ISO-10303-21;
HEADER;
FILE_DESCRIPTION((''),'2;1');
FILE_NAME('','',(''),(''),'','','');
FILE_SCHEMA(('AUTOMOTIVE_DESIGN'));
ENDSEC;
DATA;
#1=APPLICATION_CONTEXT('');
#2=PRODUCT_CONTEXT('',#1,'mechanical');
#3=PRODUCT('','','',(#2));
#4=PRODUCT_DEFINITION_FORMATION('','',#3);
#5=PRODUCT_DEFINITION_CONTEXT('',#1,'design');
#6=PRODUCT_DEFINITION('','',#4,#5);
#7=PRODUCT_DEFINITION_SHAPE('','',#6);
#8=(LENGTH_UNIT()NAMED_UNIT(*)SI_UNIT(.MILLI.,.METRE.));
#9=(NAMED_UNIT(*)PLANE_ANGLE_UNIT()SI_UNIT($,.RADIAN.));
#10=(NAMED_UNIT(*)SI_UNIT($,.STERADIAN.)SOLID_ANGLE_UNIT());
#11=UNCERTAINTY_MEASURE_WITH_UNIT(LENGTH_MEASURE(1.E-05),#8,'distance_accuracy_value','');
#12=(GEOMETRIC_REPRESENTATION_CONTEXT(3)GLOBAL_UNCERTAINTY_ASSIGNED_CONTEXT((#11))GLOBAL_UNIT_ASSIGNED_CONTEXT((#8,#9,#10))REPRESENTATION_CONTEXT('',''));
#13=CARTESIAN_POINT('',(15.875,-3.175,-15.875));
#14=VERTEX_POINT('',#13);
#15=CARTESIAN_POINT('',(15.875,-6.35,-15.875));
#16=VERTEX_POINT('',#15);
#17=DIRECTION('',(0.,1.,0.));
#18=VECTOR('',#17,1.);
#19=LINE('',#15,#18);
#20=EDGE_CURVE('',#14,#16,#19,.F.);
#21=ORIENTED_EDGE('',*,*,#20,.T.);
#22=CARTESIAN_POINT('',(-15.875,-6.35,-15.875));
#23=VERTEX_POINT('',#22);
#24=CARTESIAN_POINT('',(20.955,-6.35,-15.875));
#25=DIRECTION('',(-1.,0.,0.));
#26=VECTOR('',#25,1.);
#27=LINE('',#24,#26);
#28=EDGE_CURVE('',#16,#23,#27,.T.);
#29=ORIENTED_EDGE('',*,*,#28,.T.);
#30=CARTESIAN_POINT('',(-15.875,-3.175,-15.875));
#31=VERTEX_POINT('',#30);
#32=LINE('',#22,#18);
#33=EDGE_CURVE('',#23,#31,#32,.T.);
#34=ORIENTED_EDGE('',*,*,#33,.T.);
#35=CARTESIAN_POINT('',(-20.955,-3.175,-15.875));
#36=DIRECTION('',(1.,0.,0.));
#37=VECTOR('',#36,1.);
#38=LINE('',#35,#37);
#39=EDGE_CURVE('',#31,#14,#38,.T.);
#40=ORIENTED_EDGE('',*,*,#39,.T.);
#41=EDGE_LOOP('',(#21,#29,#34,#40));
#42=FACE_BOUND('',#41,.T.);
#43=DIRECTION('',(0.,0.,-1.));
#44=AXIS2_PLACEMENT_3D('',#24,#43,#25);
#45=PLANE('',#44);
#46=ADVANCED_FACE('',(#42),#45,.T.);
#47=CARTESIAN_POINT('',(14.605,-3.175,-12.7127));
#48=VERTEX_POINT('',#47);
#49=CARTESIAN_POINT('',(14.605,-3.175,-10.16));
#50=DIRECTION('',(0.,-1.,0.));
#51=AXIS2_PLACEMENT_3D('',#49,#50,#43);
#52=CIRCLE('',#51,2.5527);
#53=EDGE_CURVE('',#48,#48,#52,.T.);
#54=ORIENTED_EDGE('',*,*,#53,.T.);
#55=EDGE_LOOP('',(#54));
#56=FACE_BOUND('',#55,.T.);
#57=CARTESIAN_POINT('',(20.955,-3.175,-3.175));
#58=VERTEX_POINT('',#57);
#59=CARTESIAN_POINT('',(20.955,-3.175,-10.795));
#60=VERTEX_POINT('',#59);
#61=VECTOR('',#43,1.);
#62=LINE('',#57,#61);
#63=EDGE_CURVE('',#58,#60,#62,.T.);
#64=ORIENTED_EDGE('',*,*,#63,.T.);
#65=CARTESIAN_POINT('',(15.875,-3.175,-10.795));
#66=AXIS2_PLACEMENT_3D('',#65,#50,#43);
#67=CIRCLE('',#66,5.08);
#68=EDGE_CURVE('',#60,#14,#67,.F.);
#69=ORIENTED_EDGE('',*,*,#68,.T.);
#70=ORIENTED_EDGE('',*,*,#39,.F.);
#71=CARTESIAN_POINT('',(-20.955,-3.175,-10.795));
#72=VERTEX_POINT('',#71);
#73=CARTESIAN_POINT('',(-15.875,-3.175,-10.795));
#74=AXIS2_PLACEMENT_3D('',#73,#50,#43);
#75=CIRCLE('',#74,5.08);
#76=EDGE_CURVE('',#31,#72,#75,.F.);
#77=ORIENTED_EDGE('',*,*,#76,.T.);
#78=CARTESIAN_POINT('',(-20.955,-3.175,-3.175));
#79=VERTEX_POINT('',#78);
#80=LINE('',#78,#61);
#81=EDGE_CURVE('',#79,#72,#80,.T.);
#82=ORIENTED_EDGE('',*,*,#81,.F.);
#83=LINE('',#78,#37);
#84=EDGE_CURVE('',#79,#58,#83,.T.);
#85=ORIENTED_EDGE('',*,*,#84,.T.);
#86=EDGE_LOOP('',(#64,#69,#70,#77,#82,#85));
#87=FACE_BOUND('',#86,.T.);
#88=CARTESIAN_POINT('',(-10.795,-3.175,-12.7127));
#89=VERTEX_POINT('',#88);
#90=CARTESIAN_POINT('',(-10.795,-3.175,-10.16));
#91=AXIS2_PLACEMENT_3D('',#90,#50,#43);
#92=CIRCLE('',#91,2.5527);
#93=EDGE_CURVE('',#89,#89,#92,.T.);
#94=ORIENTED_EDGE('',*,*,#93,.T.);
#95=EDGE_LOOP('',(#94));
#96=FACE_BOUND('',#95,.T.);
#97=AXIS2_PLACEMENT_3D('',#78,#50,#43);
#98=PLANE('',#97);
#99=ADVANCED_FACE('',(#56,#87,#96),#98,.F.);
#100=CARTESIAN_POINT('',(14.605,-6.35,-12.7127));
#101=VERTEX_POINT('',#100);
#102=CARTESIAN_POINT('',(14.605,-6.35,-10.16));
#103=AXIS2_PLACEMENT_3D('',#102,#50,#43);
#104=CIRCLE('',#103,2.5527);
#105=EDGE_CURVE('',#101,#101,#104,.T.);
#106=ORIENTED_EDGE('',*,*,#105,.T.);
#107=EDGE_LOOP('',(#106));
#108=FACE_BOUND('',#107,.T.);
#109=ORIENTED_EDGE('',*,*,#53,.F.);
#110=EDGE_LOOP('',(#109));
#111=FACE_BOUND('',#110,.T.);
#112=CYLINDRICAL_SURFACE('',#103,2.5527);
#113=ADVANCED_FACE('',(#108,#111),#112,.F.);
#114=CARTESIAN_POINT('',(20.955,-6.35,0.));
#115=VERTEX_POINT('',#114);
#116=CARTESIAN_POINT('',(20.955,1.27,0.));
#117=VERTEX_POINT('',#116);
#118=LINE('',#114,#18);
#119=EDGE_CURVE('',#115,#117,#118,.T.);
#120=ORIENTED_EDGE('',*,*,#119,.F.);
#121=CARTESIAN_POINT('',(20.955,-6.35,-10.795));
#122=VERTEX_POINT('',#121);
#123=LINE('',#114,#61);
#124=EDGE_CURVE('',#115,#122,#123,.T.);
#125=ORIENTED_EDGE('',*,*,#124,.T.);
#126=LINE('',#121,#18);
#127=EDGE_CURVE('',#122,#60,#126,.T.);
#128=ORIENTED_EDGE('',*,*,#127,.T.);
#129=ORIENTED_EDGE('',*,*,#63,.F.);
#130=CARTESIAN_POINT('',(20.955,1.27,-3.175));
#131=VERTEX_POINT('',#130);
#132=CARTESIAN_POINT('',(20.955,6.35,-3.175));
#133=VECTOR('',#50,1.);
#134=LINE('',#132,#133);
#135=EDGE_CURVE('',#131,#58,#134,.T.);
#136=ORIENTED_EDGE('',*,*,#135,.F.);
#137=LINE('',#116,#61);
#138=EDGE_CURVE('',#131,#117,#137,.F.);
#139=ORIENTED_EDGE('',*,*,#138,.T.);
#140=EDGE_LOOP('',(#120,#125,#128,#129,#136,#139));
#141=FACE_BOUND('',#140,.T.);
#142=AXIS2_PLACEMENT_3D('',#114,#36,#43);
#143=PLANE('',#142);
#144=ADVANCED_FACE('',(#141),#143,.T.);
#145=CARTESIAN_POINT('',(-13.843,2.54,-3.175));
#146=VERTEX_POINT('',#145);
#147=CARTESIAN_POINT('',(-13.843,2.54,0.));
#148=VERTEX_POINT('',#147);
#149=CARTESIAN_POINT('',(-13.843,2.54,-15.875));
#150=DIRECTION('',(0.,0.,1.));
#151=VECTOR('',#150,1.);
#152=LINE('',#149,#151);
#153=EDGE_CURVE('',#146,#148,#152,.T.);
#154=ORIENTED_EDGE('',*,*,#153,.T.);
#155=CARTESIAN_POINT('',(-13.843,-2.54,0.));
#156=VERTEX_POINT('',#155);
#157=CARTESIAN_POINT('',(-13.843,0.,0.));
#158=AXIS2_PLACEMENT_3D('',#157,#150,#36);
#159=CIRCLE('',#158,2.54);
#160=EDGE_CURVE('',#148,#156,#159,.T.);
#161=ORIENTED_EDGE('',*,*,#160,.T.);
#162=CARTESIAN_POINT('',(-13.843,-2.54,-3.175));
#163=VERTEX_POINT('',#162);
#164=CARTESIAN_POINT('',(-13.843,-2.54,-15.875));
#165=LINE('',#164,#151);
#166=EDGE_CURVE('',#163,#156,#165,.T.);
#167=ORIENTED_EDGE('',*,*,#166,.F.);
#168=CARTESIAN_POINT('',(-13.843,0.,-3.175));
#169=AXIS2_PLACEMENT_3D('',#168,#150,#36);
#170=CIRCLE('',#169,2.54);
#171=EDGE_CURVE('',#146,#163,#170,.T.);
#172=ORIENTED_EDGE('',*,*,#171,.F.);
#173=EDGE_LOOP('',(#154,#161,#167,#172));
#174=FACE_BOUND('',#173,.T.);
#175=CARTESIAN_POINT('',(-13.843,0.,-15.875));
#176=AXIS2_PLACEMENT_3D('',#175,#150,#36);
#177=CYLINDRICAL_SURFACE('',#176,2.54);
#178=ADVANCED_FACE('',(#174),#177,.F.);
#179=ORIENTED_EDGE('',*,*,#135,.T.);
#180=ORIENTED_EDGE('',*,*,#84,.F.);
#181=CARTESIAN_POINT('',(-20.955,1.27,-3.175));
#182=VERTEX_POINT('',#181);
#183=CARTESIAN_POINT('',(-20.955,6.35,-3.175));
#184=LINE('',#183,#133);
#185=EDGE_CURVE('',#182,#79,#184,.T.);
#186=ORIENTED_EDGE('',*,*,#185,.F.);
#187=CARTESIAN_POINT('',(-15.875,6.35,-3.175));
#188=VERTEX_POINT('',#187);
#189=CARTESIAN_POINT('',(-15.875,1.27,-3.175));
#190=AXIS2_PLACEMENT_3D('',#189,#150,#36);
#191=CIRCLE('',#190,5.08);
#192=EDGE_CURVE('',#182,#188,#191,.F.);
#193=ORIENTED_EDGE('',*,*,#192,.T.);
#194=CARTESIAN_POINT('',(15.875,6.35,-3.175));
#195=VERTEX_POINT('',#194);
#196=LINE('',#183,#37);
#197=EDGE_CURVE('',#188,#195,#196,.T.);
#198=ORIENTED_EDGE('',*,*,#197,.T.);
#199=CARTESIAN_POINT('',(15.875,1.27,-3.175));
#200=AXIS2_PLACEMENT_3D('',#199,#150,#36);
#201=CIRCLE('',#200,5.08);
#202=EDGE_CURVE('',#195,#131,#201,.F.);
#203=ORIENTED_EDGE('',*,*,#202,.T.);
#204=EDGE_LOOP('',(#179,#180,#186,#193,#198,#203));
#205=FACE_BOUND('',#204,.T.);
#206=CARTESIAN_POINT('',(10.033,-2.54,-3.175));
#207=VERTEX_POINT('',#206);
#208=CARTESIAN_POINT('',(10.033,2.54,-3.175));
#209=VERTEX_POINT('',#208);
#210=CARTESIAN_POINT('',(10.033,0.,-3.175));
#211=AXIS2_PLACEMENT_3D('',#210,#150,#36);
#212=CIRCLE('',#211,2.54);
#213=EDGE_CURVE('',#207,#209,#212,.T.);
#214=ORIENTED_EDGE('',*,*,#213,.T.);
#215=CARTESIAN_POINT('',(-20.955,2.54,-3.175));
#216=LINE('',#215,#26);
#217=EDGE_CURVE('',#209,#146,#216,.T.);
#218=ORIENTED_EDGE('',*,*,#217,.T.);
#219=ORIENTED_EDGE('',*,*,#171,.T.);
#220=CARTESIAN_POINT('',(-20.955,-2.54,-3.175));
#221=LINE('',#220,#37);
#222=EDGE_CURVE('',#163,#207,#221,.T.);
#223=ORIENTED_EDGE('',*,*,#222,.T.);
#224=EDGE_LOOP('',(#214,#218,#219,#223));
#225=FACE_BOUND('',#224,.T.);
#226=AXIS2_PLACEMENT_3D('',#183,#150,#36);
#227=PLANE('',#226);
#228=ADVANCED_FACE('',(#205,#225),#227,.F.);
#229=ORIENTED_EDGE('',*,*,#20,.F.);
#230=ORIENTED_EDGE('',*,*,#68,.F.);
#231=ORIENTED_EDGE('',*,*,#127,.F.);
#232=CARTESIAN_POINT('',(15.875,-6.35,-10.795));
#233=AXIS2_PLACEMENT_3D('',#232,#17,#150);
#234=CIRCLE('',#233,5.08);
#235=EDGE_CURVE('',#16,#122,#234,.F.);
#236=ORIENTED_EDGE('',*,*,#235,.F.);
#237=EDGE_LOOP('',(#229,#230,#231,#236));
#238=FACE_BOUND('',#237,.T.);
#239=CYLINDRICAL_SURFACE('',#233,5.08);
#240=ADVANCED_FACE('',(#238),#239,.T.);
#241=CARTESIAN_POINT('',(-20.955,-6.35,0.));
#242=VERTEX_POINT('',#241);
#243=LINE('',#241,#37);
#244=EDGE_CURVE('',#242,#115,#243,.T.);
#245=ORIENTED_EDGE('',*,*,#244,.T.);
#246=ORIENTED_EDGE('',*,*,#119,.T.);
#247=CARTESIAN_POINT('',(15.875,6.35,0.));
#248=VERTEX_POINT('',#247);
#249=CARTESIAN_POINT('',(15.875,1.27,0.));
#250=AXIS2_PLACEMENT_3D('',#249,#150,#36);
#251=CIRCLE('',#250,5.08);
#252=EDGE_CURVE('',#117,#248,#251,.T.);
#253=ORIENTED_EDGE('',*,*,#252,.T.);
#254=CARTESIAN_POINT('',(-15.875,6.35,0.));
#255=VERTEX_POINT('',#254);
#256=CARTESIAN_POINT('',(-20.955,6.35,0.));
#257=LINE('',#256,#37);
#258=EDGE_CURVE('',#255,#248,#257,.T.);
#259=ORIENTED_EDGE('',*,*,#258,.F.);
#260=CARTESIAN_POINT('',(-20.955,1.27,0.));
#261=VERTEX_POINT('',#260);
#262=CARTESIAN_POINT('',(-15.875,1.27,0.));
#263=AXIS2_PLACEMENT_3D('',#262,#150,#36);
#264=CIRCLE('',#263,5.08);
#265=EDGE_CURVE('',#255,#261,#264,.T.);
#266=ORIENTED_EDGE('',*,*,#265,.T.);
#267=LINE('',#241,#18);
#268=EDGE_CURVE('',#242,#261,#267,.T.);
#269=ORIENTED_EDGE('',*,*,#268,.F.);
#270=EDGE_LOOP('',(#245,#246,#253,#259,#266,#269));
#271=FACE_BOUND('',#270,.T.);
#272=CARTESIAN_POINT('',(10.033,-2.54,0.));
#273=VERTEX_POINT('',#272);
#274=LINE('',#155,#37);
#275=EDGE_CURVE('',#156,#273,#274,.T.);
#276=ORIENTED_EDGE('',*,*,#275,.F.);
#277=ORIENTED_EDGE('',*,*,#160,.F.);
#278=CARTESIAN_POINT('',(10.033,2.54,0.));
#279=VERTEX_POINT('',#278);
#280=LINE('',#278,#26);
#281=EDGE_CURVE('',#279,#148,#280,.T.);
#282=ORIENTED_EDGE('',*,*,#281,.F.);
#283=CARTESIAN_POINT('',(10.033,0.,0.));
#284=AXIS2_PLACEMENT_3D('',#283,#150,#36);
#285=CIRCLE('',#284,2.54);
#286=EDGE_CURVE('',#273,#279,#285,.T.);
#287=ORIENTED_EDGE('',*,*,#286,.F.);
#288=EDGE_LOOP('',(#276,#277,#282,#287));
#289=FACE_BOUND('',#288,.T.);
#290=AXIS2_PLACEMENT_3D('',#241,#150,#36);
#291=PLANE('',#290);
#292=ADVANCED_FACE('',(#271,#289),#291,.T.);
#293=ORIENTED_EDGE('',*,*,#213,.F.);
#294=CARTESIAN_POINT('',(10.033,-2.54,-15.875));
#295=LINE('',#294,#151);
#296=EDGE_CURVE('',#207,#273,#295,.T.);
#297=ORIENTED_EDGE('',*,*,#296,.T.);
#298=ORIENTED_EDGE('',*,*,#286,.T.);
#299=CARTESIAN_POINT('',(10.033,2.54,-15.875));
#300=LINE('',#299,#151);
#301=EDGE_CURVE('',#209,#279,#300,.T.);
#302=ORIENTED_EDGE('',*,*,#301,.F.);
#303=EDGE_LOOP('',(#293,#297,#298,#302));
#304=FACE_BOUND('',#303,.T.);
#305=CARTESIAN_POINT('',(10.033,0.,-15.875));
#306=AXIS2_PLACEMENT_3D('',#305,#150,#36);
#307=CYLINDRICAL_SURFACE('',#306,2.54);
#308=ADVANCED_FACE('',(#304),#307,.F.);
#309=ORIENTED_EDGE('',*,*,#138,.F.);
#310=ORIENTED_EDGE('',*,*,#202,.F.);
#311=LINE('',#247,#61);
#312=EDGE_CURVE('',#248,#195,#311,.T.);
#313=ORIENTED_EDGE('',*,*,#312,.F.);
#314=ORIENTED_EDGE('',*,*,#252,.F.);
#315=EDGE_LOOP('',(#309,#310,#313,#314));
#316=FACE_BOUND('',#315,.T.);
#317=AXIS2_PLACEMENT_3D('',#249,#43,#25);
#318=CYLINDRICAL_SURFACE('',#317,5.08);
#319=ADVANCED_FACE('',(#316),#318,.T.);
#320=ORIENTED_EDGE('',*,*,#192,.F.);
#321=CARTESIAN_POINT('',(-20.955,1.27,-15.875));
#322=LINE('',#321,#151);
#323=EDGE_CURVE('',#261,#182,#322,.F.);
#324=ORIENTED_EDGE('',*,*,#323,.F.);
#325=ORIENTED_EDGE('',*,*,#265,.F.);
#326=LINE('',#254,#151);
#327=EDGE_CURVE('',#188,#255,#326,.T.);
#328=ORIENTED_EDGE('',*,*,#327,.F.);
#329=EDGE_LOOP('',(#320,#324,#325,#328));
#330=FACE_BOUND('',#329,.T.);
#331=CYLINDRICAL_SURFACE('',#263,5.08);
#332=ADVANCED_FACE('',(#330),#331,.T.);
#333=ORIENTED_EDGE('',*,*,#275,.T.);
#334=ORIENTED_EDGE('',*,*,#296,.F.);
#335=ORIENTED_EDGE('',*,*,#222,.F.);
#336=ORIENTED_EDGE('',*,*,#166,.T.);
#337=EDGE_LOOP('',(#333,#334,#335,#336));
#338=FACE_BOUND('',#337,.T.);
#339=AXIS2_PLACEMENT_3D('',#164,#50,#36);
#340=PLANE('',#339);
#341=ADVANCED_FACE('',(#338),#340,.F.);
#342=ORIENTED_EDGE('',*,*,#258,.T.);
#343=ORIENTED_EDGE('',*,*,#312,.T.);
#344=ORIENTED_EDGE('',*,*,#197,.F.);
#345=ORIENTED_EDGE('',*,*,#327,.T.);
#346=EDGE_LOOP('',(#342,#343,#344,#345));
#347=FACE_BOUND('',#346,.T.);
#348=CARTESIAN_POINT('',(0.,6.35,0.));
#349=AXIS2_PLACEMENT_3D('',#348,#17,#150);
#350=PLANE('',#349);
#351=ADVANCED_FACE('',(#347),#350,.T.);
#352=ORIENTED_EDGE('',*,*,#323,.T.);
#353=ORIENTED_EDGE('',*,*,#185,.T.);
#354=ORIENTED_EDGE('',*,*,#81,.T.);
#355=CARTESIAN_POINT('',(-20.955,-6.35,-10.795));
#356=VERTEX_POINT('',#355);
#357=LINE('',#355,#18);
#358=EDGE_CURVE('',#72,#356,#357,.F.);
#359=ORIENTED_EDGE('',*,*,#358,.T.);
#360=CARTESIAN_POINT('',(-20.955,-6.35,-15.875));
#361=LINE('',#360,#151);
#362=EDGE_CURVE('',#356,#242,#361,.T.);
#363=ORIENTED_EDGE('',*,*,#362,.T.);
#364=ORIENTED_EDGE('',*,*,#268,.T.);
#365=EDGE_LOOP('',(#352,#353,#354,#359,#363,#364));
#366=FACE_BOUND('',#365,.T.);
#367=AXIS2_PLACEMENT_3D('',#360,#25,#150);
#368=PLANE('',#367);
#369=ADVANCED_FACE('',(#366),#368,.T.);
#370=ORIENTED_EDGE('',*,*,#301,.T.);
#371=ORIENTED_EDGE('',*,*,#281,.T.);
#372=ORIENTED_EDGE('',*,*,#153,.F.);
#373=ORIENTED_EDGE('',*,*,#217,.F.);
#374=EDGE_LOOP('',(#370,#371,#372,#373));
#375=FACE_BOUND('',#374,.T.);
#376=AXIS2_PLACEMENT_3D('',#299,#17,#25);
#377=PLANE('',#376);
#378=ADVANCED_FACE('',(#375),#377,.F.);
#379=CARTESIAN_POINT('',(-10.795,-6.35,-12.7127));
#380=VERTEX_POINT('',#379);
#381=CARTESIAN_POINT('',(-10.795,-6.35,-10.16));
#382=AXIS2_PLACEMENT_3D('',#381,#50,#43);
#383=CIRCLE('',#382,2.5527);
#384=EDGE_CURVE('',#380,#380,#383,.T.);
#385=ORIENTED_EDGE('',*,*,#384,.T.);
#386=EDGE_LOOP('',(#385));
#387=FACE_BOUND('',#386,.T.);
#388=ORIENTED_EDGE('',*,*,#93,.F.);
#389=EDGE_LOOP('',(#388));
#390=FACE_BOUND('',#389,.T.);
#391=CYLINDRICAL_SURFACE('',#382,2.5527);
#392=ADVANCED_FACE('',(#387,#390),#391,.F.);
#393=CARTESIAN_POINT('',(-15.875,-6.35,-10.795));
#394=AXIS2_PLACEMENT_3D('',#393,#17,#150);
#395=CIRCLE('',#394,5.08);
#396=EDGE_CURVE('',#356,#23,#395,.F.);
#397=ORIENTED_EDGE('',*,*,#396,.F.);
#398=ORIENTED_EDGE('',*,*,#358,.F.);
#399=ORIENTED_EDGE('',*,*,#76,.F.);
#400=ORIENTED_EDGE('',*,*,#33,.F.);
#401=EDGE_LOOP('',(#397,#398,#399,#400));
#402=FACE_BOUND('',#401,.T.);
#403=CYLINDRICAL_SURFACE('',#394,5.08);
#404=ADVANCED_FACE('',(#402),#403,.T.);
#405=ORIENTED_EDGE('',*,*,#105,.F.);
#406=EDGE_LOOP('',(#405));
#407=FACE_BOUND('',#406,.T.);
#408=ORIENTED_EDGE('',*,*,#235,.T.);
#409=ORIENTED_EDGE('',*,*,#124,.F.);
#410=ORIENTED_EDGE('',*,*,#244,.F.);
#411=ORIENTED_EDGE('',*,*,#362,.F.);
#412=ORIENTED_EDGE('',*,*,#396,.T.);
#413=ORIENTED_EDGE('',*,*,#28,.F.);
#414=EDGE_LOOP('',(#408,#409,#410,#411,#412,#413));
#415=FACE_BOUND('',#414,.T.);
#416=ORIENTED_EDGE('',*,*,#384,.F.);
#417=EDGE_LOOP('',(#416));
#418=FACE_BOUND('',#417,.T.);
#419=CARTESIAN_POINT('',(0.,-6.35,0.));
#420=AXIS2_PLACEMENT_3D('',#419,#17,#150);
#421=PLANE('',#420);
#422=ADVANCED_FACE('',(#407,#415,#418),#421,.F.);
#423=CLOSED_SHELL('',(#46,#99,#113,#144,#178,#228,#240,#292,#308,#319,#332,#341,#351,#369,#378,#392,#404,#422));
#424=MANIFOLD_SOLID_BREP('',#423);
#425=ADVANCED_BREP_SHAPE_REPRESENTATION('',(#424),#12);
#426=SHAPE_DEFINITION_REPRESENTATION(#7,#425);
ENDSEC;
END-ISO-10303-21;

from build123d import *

# Parameters (mm, degrees)
SKETCH1_W           = 41.91
SKETCH1_H           = 15.875
BOSS_EXTRUDE1_DEPTH = 12.7
SKETCH2_W           = 12.7
SKETCH2_H           = 9.525
CUT_EXTRUDE1_DEPTH  = 46.263519803
CUT_EXTRUDE2_DEPTH  = 28.045335088
HOLE1_D             = 5.1054
HOLE1_DEPTH         = 12.7
FILLET1_R           = 5.08


with BuildPart() as part:
    # Sketch1 → Boss-Extrude1 (new body)
    with BuildSketch(Plane(origin=(0, 6.35, 0), x_dir=(1, 0, 0), z_dir=(0, 1, 0))):
        with Locations((0, 7.9375)):
            Rectangle(SKETCH1_W, SKETCH1_H)
    extrude(amount=-BOSS_EXTRUDE1_DEPTH)

    # Sketch2 → Cut-Extrude1 (cut, through all)
    with BuildSketch(Plane(origin=(20.955, 0, 0), x_dir=(0, 0, -1), z_dir=(1, 0, 0))):
        with Locations((9.525, 1.5875)):
            Rectangle(SKETCH2_W, SKETCH2_H)
    extrude(amount=-CUT_EXTRUDE1_DEPTH, mode=Mode.SUBTRACT)

    # Sketch3 → Cut-Extrude2 (cut, through all)
    with BuildSketch(Plane.XY):
        with BuildLine():
            Line((-13.843, -2.54), (10.033, -2.54))
            ThreePointArc((10.033, -2.54), (12.573, 0), (10.033, 2.54))
            Line((10.033, 2.54), (-13.843, 2.54))
            ThreePointArc((-13.843, 2.54), (-16.383, 0), (-13.843, -2.54))
        make_face()
    extrude(amount=-CUT_EXTRUDE2_DEPTH, mode=Mode.SUBTRACT)

    # Hole1
    with Locations(Plane(origin=(0, -6.35, 0), x_dir=(-1, 0, 0), z_dir=(0, -1, 0))):
        with Locations((10.795, 10.16), (-14.605, 10.16)):
            Hole(HOLE1_D / 2, depth=HOLE1_DEPTH)

    # Fillet1
    fillet1_edges = [part.edges().sort_by_distance(p)[0] for p in [
        (-20.955, 6.35, -1.5875),
        (20.955, 6.35, -1.5875),
        (-20.955, -4.7625, -15.875),
        (20.955, -4.7625, -15.875),
    ]]
    fillet(fillet1_edges, radius=FILLET1_R)


solid = part.part
